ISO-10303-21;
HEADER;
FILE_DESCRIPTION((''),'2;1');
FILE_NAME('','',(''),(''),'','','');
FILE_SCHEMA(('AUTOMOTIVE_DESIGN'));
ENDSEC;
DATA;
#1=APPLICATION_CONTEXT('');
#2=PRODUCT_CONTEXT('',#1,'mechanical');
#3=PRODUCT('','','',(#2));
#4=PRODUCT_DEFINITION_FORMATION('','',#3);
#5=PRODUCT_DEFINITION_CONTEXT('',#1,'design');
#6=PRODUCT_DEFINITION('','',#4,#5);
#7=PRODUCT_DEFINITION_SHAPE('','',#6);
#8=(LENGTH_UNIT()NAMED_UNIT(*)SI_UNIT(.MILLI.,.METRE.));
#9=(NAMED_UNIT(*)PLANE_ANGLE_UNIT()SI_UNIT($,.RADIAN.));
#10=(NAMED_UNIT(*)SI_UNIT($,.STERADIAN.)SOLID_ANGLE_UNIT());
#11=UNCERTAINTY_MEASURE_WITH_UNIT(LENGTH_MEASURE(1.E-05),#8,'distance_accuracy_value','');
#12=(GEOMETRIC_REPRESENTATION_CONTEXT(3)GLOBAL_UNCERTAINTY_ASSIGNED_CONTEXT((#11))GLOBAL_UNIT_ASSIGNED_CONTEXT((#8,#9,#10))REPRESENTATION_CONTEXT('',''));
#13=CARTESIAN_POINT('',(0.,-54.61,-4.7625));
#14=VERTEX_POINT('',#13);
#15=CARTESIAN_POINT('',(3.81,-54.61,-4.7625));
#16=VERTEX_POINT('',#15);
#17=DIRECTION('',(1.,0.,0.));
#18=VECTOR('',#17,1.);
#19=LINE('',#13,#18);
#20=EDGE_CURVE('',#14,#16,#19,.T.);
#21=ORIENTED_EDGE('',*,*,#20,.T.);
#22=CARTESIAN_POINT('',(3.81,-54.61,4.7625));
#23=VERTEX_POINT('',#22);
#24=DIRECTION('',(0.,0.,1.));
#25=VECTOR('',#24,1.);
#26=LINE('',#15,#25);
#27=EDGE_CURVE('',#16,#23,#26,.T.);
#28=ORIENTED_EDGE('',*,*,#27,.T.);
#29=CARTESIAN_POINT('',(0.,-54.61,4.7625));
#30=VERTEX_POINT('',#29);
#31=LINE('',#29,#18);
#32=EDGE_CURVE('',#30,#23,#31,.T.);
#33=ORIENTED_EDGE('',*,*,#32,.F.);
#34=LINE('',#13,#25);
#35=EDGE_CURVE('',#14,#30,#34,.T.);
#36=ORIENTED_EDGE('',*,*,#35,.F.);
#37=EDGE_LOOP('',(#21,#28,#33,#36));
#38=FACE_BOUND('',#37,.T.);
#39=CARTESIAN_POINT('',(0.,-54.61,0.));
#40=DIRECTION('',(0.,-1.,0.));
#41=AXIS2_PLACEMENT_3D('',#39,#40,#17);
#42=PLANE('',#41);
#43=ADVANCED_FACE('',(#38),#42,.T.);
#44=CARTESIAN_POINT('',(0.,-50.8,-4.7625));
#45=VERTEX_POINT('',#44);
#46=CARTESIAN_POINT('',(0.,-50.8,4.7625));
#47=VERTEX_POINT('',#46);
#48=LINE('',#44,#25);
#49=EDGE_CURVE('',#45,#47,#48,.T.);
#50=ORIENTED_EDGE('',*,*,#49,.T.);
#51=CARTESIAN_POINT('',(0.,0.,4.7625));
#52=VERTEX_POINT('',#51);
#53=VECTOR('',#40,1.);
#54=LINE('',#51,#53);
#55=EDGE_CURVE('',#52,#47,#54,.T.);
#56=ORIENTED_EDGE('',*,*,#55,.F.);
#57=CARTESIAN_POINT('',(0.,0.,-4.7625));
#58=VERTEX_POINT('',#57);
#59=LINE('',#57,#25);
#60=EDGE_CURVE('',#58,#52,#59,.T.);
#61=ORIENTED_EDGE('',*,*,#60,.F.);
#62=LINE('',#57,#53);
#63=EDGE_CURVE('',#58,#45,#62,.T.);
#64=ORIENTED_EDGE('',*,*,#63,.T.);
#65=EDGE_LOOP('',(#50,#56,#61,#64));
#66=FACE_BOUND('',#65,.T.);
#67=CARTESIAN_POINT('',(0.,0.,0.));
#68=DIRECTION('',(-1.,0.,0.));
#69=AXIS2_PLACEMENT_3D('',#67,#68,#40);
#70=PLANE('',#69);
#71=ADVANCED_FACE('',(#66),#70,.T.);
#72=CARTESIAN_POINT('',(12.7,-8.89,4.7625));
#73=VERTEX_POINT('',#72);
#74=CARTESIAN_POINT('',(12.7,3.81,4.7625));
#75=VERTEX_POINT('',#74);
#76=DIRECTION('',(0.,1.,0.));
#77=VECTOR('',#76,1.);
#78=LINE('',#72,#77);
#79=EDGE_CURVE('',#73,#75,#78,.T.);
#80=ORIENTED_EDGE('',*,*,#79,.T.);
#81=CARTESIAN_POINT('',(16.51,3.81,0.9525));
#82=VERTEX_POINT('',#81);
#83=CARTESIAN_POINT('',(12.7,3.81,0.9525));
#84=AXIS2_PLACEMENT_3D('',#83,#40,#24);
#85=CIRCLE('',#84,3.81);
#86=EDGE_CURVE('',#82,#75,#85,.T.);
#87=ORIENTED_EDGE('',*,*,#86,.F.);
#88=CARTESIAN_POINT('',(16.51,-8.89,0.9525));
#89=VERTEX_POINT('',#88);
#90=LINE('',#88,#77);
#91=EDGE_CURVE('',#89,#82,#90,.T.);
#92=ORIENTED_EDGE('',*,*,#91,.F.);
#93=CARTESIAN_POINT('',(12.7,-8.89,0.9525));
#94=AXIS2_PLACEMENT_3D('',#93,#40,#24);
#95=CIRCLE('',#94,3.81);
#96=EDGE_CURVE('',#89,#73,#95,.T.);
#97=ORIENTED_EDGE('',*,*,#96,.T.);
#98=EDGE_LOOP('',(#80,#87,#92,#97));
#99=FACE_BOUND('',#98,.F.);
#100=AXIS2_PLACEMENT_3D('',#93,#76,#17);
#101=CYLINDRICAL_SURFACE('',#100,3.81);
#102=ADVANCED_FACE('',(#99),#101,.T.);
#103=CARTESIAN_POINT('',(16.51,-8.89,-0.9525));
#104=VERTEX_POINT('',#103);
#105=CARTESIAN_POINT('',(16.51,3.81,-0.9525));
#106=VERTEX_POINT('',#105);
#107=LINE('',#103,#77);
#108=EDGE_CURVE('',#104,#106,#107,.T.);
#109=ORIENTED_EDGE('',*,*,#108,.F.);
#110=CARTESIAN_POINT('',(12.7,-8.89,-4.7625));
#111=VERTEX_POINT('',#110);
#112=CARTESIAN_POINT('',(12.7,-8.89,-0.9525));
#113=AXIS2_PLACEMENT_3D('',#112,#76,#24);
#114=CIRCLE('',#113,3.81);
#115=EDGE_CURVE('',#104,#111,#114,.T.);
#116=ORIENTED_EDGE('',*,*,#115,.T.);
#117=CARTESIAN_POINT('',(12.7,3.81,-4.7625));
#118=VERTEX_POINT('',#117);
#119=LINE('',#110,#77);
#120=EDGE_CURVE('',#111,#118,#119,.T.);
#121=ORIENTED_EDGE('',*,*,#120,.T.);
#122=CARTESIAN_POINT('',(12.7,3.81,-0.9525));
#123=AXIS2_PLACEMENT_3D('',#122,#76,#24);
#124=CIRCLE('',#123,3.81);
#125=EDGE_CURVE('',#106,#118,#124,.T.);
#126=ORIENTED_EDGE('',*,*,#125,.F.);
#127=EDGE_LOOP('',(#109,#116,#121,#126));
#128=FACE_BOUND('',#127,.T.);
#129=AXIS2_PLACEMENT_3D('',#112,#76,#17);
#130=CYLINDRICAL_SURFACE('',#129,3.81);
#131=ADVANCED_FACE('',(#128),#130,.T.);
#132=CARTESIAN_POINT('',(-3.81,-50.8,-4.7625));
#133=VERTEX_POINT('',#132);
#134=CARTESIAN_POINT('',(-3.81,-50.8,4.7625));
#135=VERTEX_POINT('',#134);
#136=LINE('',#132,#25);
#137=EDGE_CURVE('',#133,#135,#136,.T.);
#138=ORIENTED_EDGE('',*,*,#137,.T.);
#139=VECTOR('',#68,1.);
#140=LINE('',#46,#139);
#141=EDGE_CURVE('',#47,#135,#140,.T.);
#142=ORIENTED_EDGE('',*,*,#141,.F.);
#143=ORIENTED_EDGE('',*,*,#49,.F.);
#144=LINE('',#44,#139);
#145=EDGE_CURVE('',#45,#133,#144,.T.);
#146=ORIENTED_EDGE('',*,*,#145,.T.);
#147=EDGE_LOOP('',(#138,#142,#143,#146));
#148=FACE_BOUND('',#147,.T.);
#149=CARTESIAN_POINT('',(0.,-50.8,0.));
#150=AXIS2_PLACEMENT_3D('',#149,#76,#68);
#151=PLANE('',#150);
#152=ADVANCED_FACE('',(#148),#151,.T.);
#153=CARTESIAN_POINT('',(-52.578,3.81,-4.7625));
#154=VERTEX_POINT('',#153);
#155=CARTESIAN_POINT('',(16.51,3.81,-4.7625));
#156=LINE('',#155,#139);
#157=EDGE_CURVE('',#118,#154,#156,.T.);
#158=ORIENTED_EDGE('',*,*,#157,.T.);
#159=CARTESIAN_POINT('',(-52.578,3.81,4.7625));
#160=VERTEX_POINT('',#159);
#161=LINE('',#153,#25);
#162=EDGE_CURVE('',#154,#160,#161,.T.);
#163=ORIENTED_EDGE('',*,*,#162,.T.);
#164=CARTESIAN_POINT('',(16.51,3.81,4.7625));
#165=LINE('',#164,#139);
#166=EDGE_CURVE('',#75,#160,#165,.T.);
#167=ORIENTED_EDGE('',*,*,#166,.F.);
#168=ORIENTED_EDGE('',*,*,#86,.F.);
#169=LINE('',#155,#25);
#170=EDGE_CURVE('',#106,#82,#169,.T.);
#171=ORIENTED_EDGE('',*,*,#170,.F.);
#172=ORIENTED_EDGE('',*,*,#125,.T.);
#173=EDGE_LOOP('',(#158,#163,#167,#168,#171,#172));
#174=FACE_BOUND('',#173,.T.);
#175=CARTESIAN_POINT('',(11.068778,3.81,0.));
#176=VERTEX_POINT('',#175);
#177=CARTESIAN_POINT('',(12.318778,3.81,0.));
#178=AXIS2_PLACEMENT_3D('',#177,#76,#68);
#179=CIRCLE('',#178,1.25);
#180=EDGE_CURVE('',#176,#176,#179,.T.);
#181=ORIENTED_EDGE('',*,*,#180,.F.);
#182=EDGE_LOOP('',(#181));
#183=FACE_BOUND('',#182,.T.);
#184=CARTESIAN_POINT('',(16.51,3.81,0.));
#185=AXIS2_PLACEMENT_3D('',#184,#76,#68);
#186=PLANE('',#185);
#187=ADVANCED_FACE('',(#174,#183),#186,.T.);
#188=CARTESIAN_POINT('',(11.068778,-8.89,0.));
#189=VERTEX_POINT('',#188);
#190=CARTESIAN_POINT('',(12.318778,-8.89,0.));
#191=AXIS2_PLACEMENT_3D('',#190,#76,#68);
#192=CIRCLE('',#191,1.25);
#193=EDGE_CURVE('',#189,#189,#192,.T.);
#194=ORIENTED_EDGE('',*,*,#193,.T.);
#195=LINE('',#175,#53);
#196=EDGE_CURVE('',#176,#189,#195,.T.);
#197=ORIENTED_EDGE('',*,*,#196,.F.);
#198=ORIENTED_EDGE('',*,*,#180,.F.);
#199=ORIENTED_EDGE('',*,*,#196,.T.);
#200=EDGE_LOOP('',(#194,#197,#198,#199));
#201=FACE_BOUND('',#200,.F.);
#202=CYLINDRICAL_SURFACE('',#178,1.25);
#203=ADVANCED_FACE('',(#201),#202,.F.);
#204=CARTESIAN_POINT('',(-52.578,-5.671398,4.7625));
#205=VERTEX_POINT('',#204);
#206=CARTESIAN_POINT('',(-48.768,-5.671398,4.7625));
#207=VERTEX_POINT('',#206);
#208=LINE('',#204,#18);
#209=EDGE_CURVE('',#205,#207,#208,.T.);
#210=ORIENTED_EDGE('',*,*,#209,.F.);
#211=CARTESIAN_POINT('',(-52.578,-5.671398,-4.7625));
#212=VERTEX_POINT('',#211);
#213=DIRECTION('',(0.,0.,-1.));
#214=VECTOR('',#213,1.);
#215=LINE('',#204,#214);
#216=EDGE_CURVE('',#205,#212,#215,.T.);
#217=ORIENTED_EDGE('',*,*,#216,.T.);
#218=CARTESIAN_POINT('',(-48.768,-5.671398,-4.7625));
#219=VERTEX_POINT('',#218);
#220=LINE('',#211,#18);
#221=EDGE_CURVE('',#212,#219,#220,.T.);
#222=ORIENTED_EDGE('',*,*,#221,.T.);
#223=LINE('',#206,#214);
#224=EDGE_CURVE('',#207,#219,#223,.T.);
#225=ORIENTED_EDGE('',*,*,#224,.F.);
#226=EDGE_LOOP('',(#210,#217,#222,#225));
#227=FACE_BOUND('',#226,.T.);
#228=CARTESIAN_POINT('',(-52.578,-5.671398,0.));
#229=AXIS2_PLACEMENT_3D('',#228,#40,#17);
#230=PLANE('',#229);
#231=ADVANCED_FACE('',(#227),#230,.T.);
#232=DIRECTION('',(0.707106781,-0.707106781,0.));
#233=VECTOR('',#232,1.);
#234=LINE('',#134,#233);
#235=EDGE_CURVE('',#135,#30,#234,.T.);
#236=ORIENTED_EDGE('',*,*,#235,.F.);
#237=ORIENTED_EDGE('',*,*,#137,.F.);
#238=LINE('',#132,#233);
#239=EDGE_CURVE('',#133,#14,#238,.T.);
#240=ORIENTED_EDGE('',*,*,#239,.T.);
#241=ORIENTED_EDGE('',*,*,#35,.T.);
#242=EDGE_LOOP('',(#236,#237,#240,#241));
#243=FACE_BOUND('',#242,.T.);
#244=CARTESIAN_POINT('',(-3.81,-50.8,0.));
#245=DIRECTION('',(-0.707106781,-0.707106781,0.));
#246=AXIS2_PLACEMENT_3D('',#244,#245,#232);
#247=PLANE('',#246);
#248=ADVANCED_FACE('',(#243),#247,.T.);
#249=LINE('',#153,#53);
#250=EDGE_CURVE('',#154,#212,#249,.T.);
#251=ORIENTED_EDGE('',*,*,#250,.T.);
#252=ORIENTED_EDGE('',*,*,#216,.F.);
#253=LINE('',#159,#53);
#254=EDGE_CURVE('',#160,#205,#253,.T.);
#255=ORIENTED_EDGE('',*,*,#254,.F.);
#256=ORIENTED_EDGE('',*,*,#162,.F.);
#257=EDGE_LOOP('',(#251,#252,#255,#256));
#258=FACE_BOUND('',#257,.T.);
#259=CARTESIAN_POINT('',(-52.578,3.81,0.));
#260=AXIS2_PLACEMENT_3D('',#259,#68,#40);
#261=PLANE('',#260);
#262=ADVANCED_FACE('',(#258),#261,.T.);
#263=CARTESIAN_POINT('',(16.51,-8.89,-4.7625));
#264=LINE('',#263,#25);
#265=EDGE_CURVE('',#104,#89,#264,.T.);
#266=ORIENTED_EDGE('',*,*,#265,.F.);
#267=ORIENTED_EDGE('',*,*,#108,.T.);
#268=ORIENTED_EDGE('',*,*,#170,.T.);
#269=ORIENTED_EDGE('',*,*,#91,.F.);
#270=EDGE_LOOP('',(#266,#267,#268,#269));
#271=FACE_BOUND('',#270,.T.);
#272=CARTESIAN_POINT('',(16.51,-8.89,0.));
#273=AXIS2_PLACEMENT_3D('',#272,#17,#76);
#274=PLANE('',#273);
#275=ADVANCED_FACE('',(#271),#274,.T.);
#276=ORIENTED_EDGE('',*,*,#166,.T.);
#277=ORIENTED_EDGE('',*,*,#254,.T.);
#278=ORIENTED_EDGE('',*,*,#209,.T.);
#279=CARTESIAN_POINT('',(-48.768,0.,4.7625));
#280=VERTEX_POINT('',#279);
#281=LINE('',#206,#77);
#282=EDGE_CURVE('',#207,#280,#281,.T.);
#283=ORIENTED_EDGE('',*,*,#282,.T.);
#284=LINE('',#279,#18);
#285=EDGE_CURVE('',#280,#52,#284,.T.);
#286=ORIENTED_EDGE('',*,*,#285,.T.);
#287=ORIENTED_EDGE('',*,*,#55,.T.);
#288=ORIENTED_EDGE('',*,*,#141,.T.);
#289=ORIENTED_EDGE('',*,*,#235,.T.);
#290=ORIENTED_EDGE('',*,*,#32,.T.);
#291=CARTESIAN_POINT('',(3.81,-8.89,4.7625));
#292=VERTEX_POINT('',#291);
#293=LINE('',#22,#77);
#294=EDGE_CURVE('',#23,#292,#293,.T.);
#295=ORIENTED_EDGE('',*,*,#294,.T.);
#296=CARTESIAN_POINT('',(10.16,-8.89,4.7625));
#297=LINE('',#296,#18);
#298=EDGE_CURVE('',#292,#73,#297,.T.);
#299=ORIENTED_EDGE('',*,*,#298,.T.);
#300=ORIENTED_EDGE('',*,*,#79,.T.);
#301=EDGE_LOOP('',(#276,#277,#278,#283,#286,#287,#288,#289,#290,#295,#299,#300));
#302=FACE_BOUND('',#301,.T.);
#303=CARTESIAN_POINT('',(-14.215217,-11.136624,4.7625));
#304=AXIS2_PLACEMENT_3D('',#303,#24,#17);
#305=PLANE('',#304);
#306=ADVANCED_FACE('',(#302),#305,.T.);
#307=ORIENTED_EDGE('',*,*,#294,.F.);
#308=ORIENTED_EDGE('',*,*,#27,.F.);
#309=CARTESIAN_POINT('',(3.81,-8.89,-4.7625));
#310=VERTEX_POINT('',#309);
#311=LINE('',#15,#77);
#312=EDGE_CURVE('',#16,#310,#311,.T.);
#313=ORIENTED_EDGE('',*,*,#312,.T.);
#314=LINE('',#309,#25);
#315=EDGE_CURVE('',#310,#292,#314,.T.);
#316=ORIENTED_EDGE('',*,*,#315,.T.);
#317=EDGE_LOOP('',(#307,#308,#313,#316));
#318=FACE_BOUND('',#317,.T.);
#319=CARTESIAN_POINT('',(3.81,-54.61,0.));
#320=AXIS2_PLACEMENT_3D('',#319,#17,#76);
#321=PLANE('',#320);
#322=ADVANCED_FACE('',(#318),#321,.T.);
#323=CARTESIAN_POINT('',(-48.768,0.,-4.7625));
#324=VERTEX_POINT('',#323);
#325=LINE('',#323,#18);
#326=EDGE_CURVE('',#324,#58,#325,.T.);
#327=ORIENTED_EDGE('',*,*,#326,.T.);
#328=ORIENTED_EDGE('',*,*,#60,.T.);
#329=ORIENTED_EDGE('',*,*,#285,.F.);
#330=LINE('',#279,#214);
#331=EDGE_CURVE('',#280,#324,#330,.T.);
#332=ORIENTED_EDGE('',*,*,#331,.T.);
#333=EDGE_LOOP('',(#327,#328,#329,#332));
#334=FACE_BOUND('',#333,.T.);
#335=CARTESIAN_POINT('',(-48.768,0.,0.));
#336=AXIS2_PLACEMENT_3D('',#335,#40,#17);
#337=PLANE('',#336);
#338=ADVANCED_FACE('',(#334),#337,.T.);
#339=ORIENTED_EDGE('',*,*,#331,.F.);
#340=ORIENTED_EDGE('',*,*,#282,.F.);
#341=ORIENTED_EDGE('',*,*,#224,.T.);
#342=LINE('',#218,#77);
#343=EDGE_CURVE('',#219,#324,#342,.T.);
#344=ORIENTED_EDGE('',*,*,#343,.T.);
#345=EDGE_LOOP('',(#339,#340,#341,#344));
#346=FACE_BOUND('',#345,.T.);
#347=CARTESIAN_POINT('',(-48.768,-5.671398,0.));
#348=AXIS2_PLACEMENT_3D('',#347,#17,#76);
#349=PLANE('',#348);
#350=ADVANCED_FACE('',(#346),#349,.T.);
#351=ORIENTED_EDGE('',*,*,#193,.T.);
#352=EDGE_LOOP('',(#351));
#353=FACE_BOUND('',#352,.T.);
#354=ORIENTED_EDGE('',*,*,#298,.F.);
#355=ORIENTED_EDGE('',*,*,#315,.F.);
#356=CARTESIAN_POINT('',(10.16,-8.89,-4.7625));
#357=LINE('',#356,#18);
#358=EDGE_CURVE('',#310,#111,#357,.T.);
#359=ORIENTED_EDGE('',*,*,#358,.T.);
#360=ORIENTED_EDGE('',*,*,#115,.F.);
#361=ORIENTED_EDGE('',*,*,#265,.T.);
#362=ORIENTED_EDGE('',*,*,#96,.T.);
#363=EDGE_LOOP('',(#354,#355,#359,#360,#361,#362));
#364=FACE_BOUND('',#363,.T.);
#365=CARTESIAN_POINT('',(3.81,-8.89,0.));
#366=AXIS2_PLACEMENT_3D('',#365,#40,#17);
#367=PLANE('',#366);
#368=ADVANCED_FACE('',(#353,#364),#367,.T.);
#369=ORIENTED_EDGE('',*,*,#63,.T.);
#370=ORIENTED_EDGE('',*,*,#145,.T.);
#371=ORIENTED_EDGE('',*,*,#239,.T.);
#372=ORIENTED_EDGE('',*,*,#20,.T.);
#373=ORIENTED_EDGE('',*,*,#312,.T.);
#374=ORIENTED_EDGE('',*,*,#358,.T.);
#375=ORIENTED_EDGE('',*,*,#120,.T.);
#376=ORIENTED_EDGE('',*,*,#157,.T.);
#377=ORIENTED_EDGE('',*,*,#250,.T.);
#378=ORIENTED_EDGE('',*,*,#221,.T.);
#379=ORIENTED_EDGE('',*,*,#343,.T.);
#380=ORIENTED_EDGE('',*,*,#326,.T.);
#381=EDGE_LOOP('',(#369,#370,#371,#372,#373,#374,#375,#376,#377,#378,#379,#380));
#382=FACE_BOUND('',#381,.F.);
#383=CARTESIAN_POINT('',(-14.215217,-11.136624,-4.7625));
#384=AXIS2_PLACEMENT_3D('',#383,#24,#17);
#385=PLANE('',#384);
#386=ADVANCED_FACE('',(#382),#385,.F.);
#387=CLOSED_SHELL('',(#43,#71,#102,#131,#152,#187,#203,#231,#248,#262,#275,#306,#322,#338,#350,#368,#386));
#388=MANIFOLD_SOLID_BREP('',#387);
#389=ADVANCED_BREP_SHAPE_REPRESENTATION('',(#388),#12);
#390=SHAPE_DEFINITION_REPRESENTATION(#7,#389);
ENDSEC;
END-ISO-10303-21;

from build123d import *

# Parameters (mm, degrees)
F0_W     = 12.7
F0_H     = 12.7
F1_DEPTH = 4.7625
F2_R     = 3.81
F3_R     = 1.25
F4_DEPTH = 58.421


with BuildPart() as f1:
    # F0 (on Top) → F1 (new body, symmetric)
    with BuildSketch(Plane.XY):
        Polygon((-48.768, 0), (0, 0), (0, -50.8), (3.81, -50.8), (3.81, -8.89), (3.81, 3.81), (-52.578, 3.81), (-52.578, -5.671398), (-48.768, -5.671398), align=None)
        Polygon((3.81, -50.8), (0, -50.8), (-3.81, -50.8), (0, -54.61), (3.81, -54.61), align=None)
        with Locations((10.16, -2.54)):
            Rectangle(F0_W, F0_H)
    extrude(amount=F1_DEPTH, both=True)

    # F2
    f2_edges = [f1.edges().sort_by_distance(p)[0] for p in [
        (16.51, -2.54, -4.7625),
        (16.51, -2.54, 4.7625),
    ]]
    fillet(f2_edges, radius=F2_R)

    # F3 (on face) → F4 (cut, through all)
    with BuildSketch(Plane(origin=(0, 3.81, 0), x_dir=(-1, 0, 0), z_dir=(0, 1, 0))):
        with Locations((-12.318778, 0)):
            Circle(F3_R)
    extrude(amount=-F4_DEPTH, mode=Mode.SUBTRACT)


solid = f1.part
